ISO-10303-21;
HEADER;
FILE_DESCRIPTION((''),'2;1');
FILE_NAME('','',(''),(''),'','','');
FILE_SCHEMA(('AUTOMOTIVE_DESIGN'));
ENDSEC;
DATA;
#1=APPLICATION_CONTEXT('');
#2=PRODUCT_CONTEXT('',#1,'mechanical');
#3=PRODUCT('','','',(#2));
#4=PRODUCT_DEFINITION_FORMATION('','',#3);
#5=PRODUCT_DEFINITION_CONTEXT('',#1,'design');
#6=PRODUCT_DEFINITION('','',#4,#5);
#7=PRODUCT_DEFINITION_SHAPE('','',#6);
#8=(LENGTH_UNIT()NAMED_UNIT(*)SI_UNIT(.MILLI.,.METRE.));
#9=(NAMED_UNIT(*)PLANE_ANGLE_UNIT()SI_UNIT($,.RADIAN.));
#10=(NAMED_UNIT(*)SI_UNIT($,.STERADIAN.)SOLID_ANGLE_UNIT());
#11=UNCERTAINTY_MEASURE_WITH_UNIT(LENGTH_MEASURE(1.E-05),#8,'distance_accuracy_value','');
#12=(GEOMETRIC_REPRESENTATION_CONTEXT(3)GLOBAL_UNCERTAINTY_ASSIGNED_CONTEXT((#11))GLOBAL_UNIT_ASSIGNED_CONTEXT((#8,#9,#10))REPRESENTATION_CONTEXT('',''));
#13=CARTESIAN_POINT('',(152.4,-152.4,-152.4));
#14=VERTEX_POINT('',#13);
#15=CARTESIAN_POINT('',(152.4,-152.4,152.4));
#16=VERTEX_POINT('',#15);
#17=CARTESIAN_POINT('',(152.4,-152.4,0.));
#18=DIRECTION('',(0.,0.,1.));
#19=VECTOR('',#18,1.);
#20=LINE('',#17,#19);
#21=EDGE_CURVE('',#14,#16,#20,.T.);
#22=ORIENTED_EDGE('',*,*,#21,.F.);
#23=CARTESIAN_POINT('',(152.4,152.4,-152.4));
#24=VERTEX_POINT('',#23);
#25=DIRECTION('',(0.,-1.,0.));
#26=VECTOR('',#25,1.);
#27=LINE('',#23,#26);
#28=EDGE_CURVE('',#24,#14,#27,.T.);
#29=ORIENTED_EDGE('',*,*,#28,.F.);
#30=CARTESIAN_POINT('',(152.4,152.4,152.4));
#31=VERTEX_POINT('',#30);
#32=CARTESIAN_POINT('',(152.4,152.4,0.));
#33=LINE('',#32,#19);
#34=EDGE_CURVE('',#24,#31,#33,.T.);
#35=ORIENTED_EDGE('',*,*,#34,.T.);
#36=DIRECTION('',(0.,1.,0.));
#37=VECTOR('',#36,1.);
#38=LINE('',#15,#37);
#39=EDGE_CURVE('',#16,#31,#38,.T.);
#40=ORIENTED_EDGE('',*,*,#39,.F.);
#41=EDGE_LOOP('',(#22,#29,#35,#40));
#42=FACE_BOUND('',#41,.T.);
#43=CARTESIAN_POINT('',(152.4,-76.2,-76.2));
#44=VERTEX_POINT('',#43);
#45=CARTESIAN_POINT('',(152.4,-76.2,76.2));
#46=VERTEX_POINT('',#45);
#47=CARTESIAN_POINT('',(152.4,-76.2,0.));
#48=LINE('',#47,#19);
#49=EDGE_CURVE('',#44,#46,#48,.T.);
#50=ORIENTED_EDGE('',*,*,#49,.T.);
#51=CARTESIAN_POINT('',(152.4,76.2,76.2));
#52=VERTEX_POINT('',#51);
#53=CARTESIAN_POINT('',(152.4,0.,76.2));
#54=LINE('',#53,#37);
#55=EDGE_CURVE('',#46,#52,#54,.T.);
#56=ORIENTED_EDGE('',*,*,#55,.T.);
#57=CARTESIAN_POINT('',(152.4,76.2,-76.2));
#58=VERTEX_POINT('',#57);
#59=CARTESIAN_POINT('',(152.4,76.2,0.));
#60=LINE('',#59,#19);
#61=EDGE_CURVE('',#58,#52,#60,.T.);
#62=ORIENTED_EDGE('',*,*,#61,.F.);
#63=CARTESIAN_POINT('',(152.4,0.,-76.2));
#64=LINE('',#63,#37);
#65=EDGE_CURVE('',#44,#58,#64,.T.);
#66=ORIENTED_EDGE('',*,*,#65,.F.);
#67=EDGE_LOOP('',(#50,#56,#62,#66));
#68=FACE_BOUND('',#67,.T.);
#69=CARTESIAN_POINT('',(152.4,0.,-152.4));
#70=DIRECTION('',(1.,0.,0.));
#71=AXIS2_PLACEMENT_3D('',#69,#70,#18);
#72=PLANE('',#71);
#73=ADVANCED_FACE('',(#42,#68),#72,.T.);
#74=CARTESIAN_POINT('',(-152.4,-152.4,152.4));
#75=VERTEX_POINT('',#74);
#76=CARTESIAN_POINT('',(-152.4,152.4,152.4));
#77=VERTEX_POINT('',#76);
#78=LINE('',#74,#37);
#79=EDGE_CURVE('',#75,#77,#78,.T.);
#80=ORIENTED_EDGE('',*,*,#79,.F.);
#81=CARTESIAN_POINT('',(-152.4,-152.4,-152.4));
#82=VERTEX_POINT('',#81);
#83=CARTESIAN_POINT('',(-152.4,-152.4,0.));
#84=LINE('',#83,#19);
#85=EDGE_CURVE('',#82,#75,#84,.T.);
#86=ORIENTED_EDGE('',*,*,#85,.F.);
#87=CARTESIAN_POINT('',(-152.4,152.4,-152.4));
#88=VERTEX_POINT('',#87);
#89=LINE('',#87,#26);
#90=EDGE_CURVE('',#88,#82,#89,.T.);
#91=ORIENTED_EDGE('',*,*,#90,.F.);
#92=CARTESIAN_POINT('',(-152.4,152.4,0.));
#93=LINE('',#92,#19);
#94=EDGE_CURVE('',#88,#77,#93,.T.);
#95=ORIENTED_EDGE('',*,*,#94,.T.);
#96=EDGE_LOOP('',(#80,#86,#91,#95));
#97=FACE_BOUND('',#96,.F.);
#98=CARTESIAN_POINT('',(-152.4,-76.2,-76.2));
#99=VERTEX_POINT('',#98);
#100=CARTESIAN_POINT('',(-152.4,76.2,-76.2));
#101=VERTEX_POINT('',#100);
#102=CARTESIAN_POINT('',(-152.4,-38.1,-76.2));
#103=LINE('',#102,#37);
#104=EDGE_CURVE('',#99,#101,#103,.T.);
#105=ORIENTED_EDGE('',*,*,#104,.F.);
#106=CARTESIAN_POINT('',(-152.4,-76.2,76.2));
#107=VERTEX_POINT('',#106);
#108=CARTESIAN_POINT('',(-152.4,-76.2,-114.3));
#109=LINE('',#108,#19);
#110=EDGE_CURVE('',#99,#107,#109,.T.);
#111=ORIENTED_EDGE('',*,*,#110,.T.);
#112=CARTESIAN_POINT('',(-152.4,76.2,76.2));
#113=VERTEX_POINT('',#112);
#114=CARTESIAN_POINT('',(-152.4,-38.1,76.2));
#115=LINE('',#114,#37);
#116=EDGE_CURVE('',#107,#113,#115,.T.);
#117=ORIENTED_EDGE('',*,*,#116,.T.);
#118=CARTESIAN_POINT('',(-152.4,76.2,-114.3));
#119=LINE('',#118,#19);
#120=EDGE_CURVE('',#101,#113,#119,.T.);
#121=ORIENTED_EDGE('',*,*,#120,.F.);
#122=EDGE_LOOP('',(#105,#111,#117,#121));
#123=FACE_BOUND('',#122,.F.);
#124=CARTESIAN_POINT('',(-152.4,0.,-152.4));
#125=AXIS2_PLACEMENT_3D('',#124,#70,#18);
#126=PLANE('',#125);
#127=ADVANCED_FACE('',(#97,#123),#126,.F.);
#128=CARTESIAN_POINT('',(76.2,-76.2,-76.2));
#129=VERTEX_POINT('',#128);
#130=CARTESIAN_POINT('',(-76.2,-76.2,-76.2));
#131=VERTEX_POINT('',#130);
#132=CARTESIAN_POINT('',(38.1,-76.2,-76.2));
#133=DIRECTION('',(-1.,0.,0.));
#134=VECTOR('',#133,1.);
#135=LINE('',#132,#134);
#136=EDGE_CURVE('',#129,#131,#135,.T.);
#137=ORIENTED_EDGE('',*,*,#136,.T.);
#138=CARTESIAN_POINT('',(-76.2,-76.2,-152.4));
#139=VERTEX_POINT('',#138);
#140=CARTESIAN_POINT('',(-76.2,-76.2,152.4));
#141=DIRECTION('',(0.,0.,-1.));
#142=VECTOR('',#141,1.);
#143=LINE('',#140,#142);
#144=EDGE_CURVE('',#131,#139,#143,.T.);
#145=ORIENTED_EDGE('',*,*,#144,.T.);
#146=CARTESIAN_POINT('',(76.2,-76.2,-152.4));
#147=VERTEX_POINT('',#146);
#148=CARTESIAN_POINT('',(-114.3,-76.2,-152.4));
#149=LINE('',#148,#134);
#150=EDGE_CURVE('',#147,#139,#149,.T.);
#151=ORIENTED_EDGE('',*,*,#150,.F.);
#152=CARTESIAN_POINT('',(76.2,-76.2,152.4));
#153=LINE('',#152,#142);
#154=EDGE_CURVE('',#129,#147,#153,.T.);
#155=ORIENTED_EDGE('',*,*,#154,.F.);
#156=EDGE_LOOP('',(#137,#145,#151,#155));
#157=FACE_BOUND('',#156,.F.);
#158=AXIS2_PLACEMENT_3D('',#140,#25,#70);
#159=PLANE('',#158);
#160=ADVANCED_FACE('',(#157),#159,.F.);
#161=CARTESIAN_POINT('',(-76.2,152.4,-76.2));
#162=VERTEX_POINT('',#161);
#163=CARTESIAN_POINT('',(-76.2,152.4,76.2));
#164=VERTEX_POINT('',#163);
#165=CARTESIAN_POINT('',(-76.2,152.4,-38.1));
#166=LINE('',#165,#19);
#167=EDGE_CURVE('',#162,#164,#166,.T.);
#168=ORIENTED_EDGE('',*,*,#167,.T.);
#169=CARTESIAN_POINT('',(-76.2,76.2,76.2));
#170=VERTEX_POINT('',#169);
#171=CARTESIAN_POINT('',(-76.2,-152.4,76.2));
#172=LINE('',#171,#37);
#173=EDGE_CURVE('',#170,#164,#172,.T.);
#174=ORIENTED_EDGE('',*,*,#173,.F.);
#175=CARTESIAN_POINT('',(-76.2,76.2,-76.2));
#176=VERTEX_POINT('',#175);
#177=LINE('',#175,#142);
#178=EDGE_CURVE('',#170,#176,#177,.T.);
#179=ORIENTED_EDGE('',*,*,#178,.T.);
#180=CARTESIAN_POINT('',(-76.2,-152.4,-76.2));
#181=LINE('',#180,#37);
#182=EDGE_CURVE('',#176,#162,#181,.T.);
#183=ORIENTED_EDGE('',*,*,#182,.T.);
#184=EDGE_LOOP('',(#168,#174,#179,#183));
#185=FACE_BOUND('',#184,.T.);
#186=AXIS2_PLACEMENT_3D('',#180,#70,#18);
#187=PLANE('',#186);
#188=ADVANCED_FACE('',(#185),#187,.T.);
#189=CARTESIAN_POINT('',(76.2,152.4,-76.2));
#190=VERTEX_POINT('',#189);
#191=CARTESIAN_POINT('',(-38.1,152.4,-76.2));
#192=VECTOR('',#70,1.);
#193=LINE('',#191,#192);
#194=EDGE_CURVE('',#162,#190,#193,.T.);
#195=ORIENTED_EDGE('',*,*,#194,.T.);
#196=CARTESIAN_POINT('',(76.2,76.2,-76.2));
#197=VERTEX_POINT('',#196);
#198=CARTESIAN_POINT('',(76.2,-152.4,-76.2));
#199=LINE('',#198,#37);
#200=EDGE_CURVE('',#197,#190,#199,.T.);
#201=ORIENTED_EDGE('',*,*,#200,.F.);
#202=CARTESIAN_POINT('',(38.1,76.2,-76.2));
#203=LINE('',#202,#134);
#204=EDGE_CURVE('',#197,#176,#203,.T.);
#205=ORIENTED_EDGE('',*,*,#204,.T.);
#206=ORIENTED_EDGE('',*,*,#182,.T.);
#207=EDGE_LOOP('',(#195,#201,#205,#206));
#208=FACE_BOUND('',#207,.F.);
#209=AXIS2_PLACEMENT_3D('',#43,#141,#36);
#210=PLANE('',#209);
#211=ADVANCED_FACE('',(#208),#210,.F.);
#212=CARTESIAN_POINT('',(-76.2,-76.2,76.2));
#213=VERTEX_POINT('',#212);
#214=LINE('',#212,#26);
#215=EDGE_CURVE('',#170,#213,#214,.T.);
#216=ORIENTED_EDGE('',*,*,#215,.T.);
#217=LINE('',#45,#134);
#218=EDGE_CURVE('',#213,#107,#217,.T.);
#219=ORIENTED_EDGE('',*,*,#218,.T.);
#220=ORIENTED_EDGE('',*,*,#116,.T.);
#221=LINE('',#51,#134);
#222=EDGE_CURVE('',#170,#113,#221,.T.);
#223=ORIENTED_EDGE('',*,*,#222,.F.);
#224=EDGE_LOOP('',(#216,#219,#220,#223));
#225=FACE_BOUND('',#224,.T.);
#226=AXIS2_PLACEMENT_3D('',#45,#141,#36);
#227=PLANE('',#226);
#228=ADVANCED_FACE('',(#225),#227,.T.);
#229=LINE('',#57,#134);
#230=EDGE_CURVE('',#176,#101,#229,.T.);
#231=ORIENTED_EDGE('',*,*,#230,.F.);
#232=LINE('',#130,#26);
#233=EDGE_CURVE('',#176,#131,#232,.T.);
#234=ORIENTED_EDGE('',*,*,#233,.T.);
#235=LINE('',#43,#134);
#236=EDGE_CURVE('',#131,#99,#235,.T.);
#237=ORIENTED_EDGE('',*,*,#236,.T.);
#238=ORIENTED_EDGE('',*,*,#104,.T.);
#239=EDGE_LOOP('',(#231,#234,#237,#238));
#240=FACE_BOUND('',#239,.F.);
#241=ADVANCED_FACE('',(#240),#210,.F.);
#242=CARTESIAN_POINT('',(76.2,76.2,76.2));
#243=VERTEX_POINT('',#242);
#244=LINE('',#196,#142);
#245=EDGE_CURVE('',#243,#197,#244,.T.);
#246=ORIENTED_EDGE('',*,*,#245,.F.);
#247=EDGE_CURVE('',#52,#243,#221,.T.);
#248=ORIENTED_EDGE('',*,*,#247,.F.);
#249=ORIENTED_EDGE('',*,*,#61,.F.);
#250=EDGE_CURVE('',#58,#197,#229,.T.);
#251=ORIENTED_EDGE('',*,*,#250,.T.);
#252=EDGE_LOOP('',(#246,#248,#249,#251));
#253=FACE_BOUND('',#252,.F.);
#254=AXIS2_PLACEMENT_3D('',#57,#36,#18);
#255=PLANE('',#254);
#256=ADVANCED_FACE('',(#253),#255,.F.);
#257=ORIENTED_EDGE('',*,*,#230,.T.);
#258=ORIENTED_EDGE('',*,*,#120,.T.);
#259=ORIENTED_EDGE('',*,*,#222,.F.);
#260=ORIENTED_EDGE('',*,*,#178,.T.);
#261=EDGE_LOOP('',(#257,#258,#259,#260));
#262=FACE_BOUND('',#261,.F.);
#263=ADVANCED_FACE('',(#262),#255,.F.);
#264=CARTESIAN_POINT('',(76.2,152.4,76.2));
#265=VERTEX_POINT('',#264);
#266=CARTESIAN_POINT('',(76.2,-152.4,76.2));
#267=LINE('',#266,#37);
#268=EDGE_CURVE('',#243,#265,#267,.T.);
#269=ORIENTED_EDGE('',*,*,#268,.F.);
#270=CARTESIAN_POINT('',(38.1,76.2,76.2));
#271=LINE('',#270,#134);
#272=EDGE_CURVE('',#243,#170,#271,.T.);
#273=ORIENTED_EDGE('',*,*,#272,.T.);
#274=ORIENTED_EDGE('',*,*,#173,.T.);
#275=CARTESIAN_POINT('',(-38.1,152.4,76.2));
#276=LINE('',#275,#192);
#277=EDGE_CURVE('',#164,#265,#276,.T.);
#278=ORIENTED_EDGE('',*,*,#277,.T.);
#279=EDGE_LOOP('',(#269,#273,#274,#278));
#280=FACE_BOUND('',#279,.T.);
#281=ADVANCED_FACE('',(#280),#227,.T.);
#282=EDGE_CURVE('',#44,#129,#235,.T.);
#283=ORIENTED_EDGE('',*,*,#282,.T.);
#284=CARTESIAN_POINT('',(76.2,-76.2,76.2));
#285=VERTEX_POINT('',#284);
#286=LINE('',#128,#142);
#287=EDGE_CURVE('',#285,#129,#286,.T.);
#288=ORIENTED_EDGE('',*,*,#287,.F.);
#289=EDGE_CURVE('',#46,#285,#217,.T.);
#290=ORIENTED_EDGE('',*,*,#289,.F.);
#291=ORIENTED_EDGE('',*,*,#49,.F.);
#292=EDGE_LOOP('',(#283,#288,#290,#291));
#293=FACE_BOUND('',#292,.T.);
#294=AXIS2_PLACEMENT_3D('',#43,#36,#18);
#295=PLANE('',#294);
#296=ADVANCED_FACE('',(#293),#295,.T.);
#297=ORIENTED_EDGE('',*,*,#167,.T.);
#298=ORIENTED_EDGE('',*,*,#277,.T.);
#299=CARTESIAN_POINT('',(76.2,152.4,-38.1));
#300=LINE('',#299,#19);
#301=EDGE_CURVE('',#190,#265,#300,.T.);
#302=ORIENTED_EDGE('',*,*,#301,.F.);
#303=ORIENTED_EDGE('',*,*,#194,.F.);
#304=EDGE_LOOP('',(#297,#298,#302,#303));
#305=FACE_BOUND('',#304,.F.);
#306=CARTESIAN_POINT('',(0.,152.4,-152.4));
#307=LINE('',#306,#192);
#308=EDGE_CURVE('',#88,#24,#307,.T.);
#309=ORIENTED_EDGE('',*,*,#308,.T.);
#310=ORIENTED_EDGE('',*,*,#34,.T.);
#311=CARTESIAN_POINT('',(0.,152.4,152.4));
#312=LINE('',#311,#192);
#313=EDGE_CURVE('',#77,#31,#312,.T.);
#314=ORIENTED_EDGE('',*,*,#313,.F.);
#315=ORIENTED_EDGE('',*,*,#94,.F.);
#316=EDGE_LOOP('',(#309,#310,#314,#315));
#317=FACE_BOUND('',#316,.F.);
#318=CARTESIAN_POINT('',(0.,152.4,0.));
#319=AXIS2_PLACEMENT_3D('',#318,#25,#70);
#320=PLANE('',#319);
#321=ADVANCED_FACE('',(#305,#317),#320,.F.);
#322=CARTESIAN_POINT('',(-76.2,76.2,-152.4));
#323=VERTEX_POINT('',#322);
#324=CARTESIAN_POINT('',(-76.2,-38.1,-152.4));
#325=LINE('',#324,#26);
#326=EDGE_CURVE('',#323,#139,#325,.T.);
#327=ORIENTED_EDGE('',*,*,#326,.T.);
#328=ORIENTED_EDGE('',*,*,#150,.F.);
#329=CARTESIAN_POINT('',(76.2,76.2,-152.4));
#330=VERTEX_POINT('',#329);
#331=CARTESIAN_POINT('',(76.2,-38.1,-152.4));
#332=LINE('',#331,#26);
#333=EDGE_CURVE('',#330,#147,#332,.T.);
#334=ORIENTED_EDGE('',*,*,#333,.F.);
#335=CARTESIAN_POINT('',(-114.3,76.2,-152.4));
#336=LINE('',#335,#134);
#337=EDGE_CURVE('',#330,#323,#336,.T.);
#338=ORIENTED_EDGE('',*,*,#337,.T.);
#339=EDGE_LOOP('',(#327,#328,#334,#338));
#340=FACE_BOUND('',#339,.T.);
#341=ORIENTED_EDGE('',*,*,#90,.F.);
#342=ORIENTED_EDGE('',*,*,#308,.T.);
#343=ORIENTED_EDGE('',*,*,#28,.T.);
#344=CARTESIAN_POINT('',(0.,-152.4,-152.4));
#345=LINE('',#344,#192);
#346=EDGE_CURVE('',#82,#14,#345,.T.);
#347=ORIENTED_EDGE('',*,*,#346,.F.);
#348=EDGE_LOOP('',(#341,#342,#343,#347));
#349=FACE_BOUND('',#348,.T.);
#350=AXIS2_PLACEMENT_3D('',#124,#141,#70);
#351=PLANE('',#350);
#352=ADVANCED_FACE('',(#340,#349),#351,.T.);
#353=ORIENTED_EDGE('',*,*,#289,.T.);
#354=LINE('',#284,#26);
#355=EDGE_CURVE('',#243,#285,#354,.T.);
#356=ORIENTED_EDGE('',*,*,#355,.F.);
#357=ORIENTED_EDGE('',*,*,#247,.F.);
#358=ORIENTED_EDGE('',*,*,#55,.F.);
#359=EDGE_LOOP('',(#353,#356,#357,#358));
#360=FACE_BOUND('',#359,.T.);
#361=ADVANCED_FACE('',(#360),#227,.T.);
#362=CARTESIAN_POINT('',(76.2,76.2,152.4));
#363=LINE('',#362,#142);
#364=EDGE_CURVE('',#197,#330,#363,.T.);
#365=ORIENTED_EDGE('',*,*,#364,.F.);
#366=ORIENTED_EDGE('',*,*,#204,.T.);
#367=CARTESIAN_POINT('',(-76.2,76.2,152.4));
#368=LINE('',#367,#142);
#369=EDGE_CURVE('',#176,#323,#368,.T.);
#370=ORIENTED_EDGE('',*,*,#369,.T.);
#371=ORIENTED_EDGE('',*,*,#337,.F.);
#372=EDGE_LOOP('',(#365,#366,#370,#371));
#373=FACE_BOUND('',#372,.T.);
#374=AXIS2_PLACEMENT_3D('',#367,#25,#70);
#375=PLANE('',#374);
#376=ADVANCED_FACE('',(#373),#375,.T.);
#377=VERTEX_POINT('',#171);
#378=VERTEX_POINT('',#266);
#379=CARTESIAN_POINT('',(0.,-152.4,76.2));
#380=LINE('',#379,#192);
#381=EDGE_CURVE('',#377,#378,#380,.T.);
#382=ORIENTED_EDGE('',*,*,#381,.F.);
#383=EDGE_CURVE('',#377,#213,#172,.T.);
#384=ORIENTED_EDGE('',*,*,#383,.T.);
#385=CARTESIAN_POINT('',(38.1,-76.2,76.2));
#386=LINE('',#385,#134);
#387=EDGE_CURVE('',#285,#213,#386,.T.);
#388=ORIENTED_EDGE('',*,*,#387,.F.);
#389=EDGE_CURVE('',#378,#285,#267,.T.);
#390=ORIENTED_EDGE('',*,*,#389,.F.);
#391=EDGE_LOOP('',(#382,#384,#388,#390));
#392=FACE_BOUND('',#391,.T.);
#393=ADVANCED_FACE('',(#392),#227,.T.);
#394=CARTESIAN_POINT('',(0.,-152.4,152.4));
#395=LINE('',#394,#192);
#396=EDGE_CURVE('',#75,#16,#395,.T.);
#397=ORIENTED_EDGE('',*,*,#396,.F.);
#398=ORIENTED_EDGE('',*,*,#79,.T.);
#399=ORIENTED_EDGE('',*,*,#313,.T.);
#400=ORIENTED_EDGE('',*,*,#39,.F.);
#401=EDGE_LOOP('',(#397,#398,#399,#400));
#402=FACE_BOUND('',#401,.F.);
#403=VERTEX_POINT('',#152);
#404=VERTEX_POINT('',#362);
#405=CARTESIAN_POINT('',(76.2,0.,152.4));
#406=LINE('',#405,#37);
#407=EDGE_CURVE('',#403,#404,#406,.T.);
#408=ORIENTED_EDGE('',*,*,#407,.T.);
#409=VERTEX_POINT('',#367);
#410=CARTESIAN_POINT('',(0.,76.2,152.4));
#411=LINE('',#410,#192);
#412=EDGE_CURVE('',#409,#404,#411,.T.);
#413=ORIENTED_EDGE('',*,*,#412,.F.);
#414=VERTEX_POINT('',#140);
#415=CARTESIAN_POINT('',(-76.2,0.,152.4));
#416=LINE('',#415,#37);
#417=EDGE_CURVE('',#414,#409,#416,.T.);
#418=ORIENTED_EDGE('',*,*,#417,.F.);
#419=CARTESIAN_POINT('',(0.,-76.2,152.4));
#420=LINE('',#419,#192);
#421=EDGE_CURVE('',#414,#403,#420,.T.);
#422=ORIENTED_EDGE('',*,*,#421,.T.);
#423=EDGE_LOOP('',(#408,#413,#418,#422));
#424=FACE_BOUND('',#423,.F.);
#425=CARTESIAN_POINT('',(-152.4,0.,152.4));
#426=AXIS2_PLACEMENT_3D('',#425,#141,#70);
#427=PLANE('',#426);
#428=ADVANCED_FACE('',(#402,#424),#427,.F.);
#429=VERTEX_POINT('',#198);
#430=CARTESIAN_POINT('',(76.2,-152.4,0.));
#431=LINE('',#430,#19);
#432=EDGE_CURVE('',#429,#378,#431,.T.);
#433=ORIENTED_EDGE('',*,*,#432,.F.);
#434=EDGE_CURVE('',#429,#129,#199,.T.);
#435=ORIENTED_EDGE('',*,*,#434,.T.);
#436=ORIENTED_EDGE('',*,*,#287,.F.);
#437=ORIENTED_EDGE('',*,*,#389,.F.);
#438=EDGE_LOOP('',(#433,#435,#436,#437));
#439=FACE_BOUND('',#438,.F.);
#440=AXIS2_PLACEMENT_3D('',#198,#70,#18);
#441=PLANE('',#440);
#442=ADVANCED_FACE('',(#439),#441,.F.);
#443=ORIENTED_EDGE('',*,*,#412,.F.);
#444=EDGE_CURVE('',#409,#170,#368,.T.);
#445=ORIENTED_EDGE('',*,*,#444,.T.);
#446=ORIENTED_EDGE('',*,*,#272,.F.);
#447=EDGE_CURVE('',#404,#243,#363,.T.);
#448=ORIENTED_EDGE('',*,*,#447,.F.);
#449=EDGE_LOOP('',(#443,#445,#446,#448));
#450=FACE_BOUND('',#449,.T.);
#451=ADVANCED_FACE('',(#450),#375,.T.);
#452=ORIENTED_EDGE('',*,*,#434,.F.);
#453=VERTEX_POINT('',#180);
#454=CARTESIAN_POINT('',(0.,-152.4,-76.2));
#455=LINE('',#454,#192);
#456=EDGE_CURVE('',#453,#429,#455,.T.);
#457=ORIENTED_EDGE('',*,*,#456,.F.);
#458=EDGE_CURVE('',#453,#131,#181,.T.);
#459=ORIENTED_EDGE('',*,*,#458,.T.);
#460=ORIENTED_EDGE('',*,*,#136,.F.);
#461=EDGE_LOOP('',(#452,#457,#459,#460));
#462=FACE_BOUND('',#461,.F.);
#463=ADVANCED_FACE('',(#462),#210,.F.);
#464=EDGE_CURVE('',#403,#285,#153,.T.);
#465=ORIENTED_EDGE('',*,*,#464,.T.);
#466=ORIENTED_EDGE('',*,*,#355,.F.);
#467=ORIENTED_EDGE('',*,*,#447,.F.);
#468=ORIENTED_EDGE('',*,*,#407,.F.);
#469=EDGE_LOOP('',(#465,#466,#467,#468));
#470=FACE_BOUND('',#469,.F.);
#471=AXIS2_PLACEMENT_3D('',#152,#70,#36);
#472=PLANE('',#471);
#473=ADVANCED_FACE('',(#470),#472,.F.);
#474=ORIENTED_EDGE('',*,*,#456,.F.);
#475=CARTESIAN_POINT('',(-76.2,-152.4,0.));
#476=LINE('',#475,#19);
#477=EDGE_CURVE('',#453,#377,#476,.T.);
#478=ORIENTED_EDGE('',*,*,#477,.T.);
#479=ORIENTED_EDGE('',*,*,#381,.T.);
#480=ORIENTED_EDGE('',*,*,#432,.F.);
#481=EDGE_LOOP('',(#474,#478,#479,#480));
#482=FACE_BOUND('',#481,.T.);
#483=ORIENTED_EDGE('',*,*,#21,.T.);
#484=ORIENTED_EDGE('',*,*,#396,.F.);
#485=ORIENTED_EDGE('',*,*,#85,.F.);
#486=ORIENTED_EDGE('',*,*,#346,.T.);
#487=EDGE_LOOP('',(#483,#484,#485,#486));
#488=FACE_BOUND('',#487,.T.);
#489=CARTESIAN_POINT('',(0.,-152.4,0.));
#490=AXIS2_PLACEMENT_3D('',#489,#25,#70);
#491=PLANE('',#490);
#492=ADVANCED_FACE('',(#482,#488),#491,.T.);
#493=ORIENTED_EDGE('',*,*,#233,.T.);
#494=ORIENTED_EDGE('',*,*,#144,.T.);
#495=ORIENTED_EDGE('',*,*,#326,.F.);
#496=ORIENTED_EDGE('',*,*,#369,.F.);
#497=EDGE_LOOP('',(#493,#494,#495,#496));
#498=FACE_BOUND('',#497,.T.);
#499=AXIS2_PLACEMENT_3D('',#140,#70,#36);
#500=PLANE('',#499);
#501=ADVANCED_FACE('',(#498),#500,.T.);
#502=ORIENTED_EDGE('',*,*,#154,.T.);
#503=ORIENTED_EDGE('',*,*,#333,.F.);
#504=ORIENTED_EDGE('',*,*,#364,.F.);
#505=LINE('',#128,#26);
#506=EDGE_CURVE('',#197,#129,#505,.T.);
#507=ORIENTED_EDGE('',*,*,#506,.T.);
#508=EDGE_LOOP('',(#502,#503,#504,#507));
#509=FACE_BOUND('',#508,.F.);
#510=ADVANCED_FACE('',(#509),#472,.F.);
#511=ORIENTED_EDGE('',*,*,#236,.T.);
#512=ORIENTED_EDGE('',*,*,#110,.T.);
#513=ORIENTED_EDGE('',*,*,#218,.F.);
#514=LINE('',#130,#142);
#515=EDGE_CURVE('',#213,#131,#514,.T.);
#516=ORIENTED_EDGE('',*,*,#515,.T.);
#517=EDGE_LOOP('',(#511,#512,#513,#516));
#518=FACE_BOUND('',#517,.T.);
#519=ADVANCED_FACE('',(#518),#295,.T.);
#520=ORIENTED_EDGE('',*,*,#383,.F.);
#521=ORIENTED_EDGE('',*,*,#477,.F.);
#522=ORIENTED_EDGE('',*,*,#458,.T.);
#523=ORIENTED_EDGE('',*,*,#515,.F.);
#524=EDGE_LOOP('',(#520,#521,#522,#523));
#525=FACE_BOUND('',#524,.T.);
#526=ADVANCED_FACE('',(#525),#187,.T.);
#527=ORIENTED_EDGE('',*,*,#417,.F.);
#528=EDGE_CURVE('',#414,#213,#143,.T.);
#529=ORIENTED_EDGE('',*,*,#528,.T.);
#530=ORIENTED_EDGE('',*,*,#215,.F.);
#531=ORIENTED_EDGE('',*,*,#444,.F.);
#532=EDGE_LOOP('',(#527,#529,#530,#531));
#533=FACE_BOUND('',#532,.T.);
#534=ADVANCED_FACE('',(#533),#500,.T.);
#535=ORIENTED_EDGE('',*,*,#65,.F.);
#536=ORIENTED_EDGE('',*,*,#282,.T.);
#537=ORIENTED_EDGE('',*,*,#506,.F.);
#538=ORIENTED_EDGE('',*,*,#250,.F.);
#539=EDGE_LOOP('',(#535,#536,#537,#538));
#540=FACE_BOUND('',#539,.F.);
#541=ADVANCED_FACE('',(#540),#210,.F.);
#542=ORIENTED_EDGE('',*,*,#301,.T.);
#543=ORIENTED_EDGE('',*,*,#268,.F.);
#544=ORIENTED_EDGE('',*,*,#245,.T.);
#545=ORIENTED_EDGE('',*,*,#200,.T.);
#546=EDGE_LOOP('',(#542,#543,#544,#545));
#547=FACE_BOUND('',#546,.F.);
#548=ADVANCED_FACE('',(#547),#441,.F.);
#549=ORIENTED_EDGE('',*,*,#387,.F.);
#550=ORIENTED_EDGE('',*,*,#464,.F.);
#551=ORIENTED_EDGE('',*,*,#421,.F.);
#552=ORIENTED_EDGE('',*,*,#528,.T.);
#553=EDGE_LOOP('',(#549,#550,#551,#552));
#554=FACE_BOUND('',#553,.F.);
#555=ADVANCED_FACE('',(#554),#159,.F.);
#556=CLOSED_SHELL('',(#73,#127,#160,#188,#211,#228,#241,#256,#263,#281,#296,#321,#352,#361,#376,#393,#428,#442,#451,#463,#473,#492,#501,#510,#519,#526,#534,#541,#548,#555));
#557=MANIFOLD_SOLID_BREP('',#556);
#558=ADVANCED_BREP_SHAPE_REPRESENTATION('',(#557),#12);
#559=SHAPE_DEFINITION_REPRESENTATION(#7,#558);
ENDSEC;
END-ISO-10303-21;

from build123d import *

# Parameters (mm, degrees)
F0_W     = 304.8
F0_H     = 304.8
F1_DEPTH = 152.4
F2_W     = 152.4
F2_H     = 152.4
F3_DEPTH = 304.801
F4_W     = 152.4
F4_H     = 152.4
F5_DEPTH = 304.801
F6_W     = 152.4
F6_H     = 152.4
F7_DEPTH = 304.801


with BuildPart() as f1:
    # F0 (on Front) → F1 (new body, symmetric)
    with BuildSketch(Plane.XZ):
        Rectangle(F0_W, F0_H)
    extrude(amount=F1_DEPTH, both=True)

    # F2 (on face) → F3 (cut, through all)
    with BuildSketch(Plane.YZ.offset(152.4)):
        Rectangle(F2_W, F2_H)
    extrude(amount=-F3_DEPTH, mode=Mode.SUBTRACT)

    # F4 (on face) → F5 (cut, through all)
    with BuildSketch(Plane.XZ.offset(152.4)):
        Rectangle(F4_W, F4_H)
    extrude(amount=-F5_DEPTH, mode=Mode.SUBTRACT)

    # F6 (on face) → F7 (cut, through all)
    with BuildSketch(Plane.XY.offset(152.4)):
        Rectangle(F6_W, F6_H)
    extrude(amount=-F7_DEPTH, mode=Mode.SUBTRACT)


solid = f1.part
